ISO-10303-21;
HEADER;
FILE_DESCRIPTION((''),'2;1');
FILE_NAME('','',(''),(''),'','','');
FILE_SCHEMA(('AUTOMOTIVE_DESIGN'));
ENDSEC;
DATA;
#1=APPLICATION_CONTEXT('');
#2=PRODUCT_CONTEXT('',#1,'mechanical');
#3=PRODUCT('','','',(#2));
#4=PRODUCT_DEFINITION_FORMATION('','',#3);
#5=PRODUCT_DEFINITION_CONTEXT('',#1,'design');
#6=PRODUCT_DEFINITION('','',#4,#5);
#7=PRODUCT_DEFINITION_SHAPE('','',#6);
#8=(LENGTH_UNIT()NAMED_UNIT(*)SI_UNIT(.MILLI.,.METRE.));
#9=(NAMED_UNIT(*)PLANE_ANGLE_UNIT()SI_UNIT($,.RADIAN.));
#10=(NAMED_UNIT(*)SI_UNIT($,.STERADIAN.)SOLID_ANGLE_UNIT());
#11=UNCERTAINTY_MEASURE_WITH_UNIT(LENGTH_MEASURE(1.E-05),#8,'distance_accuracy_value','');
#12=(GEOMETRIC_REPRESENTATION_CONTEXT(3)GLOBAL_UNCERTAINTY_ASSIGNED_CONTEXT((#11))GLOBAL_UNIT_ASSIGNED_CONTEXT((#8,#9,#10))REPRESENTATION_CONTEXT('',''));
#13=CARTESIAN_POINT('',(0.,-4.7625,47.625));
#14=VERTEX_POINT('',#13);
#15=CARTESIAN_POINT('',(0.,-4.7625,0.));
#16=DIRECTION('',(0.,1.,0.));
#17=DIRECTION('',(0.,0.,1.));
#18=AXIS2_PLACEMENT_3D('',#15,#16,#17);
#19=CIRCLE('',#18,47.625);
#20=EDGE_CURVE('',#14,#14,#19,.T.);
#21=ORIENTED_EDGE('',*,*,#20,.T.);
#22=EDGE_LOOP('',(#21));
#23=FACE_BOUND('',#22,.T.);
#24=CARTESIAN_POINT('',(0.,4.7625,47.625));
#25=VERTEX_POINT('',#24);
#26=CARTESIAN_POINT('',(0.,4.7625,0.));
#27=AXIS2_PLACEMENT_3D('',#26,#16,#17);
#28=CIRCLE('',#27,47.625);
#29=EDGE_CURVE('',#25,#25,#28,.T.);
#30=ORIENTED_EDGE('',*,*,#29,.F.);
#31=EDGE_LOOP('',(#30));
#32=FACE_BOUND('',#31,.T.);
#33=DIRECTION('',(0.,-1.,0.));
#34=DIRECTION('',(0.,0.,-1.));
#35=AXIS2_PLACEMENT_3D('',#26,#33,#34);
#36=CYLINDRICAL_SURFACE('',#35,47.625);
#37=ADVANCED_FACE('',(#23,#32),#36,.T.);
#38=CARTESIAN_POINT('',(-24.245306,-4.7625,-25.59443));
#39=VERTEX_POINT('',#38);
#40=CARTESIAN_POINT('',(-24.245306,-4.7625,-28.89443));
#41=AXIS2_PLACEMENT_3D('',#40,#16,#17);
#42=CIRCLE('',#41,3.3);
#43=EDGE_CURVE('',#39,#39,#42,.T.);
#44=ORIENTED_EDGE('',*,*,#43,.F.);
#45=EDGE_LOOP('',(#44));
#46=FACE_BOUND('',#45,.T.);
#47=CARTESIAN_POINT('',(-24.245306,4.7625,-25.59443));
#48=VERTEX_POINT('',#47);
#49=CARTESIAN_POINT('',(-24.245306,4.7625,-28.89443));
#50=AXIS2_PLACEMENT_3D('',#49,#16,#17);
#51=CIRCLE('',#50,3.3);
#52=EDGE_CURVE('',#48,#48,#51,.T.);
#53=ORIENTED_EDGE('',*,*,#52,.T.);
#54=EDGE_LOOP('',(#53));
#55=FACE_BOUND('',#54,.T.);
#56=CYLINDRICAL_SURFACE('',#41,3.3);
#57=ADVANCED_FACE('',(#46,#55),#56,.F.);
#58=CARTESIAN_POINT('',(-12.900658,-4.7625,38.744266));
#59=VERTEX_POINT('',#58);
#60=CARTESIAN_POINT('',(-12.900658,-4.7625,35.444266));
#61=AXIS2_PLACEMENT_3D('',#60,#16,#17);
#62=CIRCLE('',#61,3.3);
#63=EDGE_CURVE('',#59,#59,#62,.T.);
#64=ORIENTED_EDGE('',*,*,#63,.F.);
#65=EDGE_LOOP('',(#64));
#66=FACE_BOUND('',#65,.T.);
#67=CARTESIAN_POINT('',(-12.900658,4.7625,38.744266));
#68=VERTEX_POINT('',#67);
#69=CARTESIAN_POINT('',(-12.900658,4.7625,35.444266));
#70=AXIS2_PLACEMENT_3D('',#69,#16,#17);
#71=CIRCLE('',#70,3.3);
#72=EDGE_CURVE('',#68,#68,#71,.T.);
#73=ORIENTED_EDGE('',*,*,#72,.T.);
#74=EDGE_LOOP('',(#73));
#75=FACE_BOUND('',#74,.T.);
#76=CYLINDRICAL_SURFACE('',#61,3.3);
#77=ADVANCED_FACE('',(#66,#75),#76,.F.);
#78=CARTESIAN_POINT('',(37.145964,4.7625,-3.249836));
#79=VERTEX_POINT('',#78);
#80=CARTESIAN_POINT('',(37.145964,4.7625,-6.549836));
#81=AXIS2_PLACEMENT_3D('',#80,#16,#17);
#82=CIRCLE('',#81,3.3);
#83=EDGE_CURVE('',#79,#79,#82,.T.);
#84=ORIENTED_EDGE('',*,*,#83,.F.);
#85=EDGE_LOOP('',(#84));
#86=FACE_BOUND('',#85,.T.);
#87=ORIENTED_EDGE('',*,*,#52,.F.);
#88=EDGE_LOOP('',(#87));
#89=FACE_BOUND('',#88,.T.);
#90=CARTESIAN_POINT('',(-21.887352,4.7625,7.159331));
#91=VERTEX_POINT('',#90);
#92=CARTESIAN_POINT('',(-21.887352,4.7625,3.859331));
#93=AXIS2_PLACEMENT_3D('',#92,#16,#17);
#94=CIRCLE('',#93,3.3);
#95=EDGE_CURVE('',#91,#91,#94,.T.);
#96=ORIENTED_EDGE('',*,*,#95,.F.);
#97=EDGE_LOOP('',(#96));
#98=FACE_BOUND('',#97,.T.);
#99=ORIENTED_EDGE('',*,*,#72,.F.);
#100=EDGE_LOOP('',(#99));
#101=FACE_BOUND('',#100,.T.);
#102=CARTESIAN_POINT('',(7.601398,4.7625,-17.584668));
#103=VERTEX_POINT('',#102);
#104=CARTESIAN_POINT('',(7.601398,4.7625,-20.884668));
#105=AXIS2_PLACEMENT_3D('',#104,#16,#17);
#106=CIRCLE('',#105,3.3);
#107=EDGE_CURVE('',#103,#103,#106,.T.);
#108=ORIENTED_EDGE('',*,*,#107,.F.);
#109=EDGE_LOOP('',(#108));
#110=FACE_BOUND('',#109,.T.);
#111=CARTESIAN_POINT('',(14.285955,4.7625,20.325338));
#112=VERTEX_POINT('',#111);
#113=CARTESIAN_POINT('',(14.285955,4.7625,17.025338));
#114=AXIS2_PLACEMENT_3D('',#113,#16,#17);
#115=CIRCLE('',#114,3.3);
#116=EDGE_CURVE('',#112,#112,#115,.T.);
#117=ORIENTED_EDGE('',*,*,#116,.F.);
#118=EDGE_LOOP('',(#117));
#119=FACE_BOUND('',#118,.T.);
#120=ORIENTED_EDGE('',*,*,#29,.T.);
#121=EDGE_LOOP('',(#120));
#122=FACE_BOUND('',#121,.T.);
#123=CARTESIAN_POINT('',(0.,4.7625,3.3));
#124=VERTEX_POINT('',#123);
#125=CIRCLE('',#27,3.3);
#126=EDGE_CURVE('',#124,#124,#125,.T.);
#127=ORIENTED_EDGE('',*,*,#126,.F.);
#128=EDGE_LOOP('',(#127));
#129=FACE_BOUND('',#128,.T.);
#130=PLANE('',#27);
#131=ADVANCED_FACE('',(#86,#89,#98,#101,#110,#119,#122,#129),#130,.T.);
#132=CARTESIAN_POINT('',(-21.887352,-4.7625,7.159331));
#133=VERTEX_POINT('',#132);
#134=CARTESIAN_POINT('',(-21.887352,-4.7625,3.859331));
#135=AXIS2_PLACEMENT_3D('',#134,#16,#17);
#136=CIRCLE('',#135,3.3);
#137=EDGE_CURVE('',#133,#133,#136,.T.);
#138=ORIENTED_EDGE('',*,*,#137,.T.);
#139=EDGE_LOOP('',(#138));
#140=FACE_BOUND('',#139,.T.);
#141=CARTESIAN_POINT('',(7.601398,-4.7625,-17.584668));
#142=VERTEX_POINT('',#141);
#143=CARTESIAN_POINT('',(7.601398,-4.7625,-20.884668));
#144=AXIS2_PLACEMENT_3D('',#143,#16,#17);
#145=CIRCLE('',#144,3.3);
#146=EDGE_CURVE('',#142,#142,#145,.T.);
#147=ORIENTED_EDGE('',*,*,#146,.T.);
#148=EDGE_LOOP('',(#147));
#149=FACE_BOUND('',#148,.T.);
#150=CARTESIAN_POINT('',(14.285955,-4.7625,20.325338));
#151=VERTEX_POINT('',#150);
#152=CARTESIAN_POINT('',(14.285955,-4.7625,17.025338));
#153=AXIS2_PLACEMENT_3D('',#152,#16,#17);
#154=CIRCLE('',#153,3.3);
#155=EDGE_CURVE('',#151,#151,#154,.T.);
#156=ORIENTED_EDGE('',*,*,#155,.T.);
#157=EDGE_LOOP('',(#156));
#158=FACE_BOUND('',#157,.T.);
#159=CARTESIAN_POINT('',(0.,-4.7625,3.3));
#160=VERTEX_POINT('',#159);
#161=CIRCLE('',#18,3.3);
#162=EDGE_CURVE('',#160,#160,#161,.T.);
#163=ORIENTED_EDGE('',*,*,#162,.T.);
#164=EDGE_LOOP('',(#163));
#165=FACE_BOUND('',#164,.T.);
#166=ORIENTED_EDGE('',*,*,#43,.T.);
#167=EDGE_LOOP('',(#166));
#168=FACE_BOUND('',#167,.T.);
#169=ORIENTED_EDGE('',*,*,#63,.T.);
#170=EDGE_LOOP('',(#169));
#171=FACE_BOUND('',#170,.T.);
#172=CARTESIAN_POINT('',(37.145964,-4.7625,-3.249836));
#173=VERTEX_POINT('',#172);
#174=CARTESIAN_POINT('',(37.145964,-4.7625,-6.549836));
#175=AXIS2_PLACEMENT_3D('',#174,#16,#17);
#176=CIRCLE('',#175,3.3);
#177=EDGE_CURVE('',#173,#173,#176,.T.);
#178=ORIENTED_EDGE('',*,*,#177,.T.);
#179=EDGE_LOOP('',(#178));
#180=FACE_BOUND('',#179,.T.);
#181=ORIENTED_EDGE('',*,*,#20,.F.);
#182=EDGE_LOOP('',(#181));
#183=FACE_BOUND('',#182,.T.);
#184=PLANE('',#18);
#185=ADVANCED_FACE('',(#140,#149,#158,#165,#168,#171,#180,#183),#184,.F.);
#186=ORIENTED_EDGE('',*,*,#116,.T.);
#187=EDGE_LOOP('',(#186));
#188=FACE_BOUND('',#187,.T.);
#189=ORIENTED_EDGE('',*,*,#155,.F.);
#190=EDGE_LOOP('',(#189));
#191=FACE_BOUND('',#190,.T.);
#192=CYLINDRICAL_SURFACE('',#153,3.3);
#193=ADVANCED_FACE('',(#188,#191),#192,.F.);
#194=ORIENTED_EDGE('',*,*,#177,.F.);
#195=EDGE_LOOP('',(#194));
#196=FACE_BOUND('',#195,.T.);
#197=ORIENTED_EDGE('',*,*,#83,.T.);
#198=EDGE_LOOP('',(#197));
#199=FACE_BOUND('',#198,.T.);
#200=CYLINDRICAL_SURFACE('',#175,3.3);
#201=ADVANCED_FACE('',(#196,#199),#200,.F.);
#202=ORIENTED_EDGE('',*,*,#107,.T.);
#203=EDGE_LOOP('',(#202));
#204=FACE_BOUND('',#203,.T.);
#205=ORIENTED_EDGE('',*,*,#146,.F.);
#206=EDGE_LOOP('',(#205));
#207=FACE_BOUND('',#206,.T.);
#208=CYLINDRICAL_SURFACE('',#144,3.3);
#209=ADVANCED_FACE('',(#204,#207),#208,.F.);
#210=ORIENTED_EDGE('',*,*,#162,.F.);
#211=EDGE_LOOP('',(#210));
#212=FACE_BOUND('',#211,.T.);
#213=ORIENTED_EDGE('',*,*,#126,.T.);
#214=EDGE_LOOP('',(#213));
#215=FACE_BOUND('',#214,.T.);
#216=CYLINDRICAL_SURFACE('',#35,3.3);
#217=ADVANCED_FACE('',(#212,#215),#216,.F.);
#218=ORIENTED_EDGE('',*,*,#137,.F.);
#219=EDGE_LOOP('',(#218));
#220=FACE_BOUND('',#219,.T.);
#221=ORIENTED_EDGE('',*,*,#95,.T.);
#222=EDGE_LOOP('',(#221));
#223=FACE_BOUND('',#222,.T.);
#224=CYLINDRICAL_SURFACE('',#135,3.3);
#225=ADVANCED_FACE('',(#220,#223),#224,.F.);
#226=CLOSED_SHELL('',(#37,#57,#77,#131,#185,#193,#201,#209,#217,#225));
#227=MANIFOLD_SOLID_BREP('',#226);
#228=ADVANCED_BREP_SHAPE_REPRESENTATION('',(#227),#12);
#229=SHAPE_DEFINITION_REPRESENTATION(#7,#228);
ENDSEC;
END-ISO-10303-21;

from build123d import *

# Parameters (mm, degrees)
SKETCH1_R           = 47.625
SKETCH1_R_2         = 3.3
BOSS_EXTRUDE1_DEPTH = 4.7625
SKETCH4_R           = 3.3
CUT_EXTRUDE2_DEPTH  = 10.525


with BuildPart() as part:
    # Sketch1 → Boss-Extrude1 (new body, symmetric)
    with BuildSketch(Plane(origin=(0, 0, 0), x_dir=(1, 0, 0), z_dir=(0, 1, 0))):
        Circle(SKETCH1_R)
        Circle(SKETCH1_R_2, mode=Mode.SUBTRACT)
    extrude(amount=BOSS_EXTRUDE1_DEPTH, both=True)

    # Sketch4 → Cut-Extrude2 (cut, through all)
    with BuildSketch(Plane(origin=(0, 4.7625, 0), x_dir=(1, 0, 0), z_dir=(0, 1, 0))):
        with Locations((-12.900657786, -35.444265963)):
            Circle(SKETCH4_R)
        with Locations((-24.24530585, 28.89443035)):
            Circle(SKETCH4_R)
        with Locations((37.145963636, 6.549835613)):
            Circle(SKETCH4_R)
        with Locations((14.285954625, -17.025337748)):
            Circle(SKETCH4_R)
        with Locations((-21.887352311, -3.859330749)):
            Circle(SKETCH4_R)
        with Locations((7.601397685, 20.884668497)):
            Circle(SKETCH4_R)
    extrude(amount=-CUT_EXTRUDE2_DEPTH, mode=Mode.SUBTRACT)


solid = part.part
